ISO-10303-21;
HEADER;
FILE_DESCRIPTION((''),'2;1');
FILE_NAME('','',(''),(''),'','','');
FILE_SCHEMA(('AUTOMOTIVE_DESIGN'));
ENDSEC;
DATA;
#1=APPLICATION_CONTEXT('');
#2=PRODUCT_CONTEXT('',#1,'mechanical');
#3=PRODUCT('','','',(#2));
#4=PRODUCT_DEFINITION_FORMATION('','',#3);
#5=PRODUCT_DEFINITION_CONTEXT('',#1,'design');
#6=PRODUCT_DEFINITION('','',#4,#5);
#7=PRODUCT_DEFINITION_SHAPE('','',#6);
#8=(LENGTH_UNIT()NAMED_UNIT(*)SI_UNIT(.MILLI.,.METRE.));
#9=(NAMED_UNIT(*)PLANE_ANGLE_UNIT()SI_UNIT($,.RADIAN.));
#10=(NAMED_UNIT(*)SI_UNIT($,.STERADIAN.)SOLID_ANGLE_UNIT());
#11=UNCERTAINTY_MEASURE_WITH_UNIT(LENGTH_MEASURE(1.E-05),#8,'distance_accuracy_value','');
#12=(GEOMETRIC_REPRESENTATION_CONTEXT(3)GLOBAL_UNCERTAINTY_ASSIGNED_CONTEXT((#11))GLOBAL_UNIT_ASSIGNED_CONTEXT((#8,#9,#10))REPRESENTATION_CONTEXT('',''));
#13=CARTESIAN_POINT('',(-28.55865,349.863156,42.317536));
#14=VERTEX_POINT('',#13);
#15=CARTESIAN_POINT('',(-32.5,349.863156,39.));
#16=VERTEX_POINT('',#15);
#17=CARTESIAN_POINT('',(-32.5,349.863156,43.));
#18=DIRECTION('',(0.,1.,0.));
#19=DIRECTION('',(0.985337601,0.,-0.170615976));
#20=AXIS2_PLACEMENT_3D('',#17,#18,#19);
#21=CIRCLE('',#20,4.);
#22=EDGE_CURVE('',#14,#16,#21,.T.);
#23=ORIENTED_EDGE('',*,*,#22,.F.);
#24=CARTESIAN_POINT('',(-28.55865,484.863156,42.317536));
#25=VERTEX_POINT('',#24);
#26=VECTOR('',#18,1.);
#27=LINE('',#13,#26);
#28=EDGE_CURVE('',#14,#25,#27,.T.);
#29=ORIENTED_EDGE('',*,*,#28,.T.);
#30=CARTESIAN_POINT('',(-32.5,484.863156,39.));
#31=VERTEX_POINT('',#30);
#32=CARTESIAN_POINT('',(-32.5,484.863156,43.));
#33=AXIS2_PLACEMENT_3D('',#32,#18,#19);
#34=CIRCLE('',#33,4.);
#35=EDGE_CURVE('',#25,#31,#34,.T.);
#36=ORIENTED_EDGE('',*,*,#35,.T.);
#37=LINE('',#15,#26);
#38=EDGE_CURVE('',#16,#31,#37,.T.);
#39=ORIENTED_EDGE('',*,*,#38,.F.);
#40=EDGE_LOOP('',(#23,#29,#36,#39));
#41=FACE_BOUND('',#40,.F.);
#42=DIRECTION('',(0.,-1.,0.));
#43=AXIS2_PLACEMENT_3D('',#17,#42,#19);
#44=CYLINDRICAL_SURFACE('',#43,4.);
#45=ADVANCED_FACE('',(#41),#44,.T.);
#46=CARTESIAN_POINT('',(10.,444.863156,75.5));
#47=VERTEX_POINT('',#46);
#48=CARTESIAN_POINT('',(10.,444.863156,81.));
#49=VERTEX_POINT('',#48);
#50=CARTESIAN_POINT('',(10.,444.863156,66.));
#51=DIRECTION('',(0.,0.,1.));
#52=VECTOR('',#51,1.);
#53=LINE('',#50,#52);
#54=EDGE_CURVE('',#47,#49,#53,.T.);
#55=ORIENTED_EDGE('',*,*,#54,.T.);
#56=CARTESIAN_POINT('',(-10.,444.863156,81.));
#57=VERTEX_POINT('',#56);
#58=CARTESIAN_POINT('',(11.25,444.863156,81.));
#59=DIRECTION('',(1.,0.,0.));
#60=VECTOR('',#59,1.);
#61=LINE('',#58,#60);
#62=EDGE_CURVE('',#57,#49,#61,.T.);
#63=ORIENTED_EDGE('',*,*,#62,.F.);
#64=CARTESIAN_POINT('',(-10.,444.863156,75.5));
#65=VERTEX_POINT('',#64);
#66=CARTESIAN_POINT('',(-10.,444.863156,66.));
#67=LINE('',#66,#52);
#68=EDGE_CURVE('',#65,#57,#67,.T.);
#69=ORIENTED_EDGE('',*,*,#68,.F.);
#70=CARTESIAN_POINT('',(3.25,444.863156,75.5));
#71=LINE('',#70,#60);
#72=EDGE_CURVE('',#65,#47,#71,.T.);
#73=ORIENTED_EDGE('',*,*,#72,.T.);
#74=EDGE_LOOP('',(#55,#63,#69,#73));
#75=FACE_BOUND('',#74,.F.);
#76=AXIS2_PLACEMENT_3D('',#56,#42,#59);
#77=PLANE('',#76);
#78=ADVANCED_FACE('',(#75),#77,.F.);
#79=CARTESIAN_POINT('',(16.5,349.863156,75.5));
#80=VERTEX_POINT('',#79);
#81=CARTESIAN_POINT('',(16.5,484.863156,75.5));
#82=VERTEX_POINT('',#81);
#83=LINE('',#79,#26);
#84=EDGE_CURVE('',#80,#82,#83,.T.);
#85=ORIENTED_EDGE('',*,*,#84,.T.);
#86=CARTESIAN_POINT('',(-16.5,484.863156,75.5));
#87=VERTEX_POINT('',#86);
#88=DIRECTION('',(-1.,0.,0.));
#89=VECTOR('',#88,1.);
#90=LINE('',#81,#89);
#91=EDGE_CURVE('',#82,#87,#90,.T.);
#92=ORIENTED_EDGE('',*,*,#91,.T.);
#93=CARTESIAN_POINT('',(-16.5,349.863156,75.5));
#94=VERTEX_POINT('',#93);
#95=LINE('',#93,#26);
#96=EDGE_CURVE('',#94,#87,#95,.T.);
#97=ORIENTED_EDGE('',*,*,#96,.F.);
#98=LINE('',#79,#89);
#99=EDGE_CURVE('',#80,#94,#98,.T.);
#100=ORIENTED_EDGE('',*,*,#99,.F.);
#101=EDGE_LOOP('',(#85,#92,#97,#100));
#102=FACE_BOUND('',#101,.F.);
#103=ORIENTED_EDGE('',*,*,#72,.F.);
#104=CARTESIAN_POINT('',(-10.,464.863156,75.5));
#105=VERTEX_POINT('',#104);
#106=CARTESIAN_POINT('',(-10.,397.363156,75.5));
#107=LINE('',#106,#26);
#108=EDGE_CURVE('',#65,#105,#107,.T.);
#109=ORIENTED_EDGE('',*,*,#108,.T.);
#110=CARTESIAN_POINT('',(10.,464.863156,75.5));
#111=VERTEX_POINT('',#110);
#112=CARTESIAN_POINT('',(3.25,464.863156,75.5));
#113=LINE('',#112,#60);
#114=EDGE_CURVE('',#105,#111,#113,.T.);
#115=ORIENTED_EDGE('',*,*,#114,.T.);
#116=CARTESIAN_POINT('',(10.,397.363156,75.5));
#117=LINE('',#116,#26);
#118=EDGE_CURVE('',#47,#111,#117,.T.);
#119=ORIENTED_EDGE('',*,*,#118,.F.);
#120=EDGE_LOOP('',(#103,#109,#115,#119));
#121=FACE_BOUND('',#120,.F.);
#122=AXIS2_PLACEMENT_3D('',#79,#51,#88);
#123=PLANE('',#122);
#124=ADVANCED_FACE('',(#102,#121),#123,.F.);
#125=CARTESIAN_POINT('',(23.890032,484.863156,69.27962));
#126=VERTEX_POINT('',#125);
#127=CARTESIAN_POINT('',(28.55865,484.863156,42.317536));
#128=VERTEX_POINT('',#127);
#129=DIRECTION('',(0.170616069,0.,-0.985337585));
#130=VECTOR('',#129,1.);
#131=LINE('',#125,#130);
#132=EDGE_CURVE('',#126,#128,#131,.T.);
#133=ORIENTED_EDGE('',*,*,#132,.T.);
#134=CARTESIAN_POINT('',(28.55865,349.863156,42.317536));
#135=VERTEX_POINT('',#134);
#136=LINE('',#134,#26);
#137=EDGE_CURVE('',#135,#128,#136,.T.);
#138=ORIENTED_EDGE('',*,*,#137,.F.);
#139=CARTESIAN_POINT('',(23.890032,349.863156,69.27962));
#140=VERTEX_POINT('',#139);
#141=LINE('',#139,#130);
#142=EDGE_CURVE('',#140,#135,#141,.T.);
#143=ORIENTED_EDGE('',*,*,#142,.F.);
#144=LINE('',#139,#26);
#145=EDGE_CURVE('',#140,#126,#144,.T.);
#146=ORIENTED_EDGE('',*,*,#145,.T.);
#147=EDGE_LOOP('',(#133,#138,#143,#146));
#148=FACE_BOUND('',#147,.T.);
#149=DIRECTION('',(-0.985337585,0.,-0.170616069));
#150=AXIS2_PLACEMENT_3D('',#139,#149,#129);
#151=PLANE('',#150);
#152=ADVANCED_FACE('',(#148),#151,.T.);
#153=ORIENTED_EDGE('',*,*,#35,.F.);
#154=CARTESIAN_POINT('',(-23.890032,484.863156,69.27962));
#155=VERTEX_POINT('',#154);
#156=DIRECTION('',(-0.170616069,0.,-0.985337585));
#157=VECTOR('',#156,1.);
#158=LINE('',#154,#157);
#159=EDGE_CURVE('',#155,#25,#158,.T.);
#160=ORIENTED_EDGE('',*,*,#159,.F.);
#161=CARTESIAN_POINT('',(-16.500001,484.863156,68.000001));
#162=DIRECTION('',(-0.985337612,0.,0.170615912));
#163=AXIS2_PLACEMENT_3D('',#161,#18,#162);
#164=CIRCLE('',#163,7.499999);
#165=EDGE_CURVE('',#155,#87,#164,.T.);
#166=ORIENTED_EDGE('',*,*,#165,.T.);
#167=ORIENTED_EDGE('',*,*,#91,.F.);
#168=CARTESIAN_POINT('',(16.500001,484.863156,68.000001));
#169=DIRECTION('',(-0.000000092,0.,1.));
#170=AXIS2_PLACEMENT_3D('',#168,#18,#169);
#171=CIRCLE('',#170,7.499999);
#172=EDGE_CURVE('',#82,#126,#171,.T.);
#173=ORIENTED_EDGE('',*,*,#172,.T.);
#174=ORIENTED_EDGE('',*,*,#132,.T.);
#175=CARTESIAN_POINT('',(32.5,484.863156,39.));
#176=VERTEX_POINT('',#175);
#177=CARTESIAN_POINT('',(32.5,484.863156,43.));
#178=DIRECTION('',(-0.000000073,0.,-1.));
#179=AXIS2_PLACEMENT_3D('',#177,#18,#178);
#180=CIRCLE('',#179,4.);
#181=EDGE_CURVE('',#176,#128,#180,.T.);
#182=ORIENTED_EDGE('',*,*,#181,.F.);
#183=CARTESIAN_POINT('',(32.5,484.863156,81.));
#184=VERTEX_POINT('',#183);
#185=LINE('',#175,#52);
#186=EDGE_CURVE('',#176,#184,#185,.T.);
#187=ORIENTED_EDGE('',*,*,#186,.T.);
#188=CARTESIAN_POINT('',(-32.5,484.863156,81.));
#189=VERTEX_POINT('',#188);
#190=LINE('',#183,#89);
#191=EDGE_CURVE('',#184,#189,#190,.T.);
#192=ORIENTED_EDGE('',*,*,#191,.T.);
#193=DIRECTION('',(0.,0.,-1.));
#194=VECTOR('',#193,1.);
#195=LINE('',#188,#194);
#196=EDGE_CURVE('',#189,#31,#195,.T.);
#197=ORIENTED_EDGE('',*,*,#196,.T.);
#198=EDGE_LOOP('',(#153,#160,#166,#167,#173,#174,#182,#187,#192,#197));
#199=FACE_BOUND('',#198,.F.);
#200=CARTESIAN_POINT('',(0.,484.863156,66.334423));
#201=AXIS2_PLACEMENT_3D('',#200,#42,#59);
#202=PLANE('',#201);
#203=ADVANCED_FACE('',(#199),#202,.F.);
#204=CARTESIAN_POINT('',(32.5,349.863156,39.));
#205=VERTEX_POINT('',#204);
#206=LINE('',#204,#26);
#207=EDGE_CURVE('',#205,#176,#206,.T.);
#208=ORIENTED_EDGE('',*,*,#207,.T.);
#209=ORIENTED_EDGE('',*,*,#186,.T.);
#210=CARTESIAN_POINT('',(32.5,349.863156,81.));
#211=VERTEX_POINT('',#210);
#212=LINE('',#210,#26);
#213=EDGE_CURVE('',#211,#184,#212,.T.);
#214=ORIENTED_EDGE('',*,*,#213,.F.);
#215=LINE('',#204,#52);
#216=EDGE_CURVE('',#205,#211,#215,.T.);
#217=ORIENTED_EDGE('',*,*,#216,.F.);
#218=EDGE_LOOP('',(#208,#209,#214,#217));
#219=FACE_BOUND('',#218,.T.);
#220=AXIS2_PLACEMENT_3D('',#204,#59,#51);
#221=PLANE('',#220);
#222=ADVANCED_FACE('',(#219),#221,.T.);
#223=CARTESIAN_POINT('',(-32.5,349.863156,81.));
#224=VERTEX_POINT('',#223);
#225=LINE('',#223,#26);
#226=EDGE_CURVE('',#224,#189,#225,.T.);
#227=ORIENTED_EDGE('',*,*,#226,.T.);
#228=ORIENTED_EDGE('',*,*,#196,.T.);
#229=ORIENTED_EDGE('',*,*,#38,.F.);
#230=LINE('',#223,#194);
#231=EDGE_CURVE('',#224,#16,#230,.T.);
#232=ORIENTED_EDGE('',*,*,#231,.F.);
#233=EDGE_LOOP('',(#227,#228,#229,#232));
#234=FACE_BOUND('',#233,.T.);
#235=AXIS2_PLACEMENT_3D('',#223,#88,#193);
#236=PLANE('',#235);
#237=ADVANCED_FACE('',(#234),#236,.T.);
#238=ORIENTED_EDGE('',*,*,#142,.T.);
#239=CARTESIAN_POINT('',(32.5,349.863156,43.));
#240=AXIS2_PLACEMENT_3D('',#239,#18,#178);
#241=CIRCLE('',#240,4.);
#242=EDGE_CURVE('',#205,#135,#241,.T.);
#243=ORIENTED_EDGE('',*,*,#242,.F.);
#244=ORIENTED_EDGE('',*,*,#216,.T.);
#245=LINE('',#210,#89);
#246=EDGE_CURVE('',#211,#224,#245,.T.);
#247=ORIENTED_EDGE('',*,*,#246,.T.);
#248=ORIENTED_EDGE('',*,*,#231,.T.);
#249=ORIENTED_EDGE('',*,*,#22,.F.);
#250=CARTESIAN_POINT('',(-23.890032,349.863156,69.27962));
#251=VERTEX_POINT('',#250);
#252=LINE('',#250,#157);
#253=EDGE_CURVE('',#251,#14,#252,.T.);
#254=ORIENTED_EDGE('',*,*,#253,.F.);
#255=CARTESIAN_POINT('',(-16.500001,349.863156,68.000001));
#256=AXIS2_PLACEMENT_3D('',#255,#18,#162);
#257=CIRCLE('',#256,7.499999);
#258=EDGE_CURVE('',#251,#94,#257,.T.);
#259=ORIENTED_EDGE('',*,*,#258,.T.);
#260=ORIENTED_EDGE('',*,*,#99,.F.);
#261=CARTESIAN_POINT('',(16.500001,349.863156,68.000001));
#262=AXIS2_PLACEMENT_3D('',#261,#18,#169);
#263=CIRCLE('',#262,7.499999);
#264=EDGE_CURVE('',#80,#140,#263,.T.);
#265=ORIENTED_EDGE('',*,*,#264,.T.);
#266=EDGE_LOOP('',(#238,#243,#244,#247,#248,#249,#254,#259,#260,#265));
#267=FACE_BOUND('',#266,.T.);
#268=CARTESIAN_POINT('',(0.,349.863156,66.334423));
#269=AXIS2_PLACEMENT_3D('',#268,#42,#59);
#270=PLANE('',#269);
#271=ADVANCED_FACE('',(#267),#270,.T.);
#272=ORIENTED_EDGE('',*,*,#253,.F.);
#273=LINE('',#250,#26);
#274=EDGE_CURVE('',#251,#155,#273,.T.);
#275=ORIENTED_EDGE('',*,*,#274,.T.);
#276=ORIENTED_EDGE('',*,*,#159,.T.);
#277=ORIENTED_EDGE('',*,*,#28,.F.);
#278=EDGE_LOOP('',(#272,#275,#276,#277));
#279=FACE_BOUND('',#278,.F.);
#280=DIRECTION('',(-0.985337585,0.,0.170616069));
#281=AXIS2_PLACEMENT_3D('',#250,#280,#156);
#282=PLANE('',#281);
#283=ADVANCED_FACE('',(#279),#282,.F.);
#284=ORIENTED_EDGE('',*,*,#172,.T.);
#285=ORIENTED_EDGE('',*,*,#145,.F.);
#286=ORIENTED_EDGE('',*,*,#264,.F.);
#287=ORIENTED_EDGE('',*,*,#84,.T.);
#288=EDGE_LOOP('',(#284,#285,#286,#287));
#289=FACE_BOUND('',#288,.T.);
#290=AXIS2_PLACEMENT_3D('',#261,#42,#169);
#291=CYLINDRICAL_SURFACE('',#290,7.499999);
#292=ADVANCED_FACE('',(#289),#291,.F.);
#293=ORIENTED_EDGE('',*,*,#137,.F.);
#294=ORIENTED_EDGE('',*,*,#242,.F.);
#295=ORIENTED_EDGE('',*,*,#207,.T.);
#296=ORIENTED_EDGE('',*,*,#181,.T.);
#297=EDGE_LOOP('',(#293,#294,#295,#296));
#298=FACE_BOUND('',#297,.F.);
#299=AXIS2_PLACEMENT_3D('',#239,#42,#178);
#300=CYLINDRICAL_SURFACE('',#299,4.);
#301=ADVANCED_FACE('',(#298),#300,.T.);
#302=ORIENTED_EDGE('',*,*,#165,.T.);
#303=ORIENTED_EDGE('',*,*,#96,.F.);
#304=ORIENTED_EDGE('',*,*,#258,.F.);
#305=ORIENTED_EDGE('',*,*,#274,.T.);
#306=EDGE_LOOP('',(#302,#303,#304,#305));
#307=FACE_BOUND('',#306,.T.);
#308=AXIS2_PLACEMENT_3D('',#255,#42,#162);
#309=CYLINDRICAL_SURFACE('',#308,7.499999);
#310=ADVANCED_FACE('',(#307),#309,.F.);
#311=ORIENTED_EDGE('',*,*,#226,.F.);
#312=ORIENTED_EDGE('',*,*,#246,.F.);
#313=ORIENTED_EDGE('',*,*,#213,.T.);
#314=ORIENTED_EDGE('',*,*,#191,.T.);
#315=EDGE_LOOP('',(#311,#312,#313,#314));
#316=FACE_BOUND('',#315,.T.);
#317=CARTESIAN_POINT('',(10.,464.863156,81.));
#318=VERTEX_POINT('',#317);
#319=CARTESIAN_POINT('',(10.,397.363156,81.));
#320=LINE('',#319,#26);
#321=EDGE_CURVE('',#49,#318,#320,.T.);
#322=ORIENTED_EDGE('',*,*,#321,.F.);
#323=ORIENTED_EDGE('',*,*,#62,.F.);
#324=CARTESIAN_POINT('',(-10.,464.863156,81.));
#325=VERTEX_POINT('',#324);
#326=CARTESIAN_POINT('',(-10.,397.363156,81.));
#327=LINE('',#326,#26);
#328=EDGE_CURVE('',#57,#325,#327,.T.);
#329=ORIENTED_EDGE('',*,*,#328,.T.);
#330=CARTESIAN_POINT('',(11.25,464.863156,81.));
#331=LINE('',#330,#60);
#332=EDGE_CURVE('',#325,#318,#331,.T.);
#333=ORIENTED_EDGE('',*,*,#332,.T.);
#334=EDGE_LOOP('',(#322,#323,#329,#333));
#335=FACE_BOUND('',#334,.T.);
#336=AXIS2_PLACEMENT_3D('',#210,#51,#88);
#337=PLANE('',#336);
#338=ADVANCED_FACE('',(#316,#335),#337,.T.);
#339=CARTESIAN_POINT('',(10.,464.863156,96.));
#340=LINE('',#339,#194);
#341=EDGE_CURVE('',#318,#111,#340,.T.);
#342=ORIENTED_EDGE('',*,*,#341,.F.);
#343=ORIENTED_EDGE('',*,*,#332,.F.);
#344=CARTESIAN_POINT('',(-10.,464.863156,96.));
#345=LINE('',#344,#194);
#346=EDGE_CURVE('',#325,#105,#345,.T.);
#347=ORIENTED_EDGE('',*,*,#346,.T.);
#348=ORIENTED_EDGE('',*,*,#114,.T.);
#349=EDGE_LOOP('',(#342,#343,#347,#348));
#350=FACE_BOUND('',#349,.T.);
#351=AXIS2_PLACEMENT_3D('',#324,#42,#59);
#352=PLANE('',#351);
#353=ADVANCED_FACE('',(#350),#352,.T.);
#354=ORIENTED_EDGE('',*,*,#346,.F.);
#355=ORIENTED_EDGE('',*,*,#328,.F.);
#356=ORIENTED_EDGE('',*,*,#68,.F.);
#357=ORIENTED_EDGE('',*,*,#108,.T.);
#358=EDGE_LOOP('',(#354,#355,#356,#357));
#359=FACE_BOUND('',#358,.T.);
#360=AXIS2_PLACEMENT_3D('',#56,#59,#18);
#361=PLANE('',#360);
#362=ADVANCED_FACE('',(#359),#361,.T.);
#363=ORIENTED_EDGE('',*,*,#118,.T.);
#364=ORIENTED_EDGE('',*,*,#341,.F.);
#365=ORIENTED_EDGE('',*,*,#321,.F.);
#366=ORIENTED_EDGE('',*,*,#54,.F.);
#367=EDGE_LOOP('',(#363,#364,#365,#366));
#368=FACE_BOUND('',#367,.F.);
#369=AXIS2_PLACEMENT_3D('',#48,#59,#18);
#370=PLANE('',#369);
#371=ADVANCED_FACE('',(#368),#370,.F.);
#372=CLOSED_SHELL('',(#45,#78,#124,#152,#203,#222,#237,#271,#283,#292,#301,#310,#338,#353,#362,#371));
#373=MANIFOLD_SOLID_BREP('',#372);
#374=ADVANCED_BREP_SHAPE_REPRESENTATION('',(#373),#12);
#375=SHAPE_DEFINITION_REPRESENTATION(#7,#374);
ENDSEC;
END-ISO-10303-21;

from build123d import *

# Parameters (mm, degrees)
SKETCH017_W      = 20
SKETCH017_H      = 20
EXTRUDE016_DEPTH = 15
EXTRUDE017_DEPTH = 135


with BuildPart() as extrude016:
    # Sketch017 (on Face2 of Extrude017) → Extrude016 (new body, symmetric)
    with BuildSketch(Plane.XY.offset(81)):
        with Locations((0, 454.863156)):
            Rectangle(SKETCH017_W, SKETCH017_H)
    extrude(amount=EXTRUDE016_DEPTH, both=True)


with BuildPart() as u069:
    # Sketch019 (on Face6 of Extrude015) → Extrude017 (new body)
    with BuildSketch(Plane(origin=(0, 349.863156, 0), x_dir=(-1, 0, 0), z_dir=(0, 1, 0))):
        with BuildLine():
            Line((-32.5, 39), (-32.5, 81))
            Line((-32.5, 81), (32.5, 81))
            Line((32.5, 81), (32.5, 39))
            ThreePointArc((28.55865, 42.317536), (29.924137, 39.939783), (32.5, 39))
            Line((23.890032, 69.27962), (28.55865, 42.317536))
            ThreePointArc((23.890032, 69.27962), (21.329744, 73.737907), (16.5, 75.5))
            Line((-16.5, 75.5), (16.5, 75.5))
            ThreePointArc((-16.5, 75.5), (-21.329744, 73.737907), (-23.890032, 69.27962))
            Line((-23.890032, 69.27962), (-28.55865, 42.317536))
            ThreePointArc((-32.5, 39), (-29.924137, 39.939783), (-28.55865, 42.317536))
        make_face()
    extrude(amount=EXTRUDE017_DEPTH)

    # Cut006: cut Extrude016
    add(extrude016.part, mode=Mode.SUBTRACT)


solid = u069.part
